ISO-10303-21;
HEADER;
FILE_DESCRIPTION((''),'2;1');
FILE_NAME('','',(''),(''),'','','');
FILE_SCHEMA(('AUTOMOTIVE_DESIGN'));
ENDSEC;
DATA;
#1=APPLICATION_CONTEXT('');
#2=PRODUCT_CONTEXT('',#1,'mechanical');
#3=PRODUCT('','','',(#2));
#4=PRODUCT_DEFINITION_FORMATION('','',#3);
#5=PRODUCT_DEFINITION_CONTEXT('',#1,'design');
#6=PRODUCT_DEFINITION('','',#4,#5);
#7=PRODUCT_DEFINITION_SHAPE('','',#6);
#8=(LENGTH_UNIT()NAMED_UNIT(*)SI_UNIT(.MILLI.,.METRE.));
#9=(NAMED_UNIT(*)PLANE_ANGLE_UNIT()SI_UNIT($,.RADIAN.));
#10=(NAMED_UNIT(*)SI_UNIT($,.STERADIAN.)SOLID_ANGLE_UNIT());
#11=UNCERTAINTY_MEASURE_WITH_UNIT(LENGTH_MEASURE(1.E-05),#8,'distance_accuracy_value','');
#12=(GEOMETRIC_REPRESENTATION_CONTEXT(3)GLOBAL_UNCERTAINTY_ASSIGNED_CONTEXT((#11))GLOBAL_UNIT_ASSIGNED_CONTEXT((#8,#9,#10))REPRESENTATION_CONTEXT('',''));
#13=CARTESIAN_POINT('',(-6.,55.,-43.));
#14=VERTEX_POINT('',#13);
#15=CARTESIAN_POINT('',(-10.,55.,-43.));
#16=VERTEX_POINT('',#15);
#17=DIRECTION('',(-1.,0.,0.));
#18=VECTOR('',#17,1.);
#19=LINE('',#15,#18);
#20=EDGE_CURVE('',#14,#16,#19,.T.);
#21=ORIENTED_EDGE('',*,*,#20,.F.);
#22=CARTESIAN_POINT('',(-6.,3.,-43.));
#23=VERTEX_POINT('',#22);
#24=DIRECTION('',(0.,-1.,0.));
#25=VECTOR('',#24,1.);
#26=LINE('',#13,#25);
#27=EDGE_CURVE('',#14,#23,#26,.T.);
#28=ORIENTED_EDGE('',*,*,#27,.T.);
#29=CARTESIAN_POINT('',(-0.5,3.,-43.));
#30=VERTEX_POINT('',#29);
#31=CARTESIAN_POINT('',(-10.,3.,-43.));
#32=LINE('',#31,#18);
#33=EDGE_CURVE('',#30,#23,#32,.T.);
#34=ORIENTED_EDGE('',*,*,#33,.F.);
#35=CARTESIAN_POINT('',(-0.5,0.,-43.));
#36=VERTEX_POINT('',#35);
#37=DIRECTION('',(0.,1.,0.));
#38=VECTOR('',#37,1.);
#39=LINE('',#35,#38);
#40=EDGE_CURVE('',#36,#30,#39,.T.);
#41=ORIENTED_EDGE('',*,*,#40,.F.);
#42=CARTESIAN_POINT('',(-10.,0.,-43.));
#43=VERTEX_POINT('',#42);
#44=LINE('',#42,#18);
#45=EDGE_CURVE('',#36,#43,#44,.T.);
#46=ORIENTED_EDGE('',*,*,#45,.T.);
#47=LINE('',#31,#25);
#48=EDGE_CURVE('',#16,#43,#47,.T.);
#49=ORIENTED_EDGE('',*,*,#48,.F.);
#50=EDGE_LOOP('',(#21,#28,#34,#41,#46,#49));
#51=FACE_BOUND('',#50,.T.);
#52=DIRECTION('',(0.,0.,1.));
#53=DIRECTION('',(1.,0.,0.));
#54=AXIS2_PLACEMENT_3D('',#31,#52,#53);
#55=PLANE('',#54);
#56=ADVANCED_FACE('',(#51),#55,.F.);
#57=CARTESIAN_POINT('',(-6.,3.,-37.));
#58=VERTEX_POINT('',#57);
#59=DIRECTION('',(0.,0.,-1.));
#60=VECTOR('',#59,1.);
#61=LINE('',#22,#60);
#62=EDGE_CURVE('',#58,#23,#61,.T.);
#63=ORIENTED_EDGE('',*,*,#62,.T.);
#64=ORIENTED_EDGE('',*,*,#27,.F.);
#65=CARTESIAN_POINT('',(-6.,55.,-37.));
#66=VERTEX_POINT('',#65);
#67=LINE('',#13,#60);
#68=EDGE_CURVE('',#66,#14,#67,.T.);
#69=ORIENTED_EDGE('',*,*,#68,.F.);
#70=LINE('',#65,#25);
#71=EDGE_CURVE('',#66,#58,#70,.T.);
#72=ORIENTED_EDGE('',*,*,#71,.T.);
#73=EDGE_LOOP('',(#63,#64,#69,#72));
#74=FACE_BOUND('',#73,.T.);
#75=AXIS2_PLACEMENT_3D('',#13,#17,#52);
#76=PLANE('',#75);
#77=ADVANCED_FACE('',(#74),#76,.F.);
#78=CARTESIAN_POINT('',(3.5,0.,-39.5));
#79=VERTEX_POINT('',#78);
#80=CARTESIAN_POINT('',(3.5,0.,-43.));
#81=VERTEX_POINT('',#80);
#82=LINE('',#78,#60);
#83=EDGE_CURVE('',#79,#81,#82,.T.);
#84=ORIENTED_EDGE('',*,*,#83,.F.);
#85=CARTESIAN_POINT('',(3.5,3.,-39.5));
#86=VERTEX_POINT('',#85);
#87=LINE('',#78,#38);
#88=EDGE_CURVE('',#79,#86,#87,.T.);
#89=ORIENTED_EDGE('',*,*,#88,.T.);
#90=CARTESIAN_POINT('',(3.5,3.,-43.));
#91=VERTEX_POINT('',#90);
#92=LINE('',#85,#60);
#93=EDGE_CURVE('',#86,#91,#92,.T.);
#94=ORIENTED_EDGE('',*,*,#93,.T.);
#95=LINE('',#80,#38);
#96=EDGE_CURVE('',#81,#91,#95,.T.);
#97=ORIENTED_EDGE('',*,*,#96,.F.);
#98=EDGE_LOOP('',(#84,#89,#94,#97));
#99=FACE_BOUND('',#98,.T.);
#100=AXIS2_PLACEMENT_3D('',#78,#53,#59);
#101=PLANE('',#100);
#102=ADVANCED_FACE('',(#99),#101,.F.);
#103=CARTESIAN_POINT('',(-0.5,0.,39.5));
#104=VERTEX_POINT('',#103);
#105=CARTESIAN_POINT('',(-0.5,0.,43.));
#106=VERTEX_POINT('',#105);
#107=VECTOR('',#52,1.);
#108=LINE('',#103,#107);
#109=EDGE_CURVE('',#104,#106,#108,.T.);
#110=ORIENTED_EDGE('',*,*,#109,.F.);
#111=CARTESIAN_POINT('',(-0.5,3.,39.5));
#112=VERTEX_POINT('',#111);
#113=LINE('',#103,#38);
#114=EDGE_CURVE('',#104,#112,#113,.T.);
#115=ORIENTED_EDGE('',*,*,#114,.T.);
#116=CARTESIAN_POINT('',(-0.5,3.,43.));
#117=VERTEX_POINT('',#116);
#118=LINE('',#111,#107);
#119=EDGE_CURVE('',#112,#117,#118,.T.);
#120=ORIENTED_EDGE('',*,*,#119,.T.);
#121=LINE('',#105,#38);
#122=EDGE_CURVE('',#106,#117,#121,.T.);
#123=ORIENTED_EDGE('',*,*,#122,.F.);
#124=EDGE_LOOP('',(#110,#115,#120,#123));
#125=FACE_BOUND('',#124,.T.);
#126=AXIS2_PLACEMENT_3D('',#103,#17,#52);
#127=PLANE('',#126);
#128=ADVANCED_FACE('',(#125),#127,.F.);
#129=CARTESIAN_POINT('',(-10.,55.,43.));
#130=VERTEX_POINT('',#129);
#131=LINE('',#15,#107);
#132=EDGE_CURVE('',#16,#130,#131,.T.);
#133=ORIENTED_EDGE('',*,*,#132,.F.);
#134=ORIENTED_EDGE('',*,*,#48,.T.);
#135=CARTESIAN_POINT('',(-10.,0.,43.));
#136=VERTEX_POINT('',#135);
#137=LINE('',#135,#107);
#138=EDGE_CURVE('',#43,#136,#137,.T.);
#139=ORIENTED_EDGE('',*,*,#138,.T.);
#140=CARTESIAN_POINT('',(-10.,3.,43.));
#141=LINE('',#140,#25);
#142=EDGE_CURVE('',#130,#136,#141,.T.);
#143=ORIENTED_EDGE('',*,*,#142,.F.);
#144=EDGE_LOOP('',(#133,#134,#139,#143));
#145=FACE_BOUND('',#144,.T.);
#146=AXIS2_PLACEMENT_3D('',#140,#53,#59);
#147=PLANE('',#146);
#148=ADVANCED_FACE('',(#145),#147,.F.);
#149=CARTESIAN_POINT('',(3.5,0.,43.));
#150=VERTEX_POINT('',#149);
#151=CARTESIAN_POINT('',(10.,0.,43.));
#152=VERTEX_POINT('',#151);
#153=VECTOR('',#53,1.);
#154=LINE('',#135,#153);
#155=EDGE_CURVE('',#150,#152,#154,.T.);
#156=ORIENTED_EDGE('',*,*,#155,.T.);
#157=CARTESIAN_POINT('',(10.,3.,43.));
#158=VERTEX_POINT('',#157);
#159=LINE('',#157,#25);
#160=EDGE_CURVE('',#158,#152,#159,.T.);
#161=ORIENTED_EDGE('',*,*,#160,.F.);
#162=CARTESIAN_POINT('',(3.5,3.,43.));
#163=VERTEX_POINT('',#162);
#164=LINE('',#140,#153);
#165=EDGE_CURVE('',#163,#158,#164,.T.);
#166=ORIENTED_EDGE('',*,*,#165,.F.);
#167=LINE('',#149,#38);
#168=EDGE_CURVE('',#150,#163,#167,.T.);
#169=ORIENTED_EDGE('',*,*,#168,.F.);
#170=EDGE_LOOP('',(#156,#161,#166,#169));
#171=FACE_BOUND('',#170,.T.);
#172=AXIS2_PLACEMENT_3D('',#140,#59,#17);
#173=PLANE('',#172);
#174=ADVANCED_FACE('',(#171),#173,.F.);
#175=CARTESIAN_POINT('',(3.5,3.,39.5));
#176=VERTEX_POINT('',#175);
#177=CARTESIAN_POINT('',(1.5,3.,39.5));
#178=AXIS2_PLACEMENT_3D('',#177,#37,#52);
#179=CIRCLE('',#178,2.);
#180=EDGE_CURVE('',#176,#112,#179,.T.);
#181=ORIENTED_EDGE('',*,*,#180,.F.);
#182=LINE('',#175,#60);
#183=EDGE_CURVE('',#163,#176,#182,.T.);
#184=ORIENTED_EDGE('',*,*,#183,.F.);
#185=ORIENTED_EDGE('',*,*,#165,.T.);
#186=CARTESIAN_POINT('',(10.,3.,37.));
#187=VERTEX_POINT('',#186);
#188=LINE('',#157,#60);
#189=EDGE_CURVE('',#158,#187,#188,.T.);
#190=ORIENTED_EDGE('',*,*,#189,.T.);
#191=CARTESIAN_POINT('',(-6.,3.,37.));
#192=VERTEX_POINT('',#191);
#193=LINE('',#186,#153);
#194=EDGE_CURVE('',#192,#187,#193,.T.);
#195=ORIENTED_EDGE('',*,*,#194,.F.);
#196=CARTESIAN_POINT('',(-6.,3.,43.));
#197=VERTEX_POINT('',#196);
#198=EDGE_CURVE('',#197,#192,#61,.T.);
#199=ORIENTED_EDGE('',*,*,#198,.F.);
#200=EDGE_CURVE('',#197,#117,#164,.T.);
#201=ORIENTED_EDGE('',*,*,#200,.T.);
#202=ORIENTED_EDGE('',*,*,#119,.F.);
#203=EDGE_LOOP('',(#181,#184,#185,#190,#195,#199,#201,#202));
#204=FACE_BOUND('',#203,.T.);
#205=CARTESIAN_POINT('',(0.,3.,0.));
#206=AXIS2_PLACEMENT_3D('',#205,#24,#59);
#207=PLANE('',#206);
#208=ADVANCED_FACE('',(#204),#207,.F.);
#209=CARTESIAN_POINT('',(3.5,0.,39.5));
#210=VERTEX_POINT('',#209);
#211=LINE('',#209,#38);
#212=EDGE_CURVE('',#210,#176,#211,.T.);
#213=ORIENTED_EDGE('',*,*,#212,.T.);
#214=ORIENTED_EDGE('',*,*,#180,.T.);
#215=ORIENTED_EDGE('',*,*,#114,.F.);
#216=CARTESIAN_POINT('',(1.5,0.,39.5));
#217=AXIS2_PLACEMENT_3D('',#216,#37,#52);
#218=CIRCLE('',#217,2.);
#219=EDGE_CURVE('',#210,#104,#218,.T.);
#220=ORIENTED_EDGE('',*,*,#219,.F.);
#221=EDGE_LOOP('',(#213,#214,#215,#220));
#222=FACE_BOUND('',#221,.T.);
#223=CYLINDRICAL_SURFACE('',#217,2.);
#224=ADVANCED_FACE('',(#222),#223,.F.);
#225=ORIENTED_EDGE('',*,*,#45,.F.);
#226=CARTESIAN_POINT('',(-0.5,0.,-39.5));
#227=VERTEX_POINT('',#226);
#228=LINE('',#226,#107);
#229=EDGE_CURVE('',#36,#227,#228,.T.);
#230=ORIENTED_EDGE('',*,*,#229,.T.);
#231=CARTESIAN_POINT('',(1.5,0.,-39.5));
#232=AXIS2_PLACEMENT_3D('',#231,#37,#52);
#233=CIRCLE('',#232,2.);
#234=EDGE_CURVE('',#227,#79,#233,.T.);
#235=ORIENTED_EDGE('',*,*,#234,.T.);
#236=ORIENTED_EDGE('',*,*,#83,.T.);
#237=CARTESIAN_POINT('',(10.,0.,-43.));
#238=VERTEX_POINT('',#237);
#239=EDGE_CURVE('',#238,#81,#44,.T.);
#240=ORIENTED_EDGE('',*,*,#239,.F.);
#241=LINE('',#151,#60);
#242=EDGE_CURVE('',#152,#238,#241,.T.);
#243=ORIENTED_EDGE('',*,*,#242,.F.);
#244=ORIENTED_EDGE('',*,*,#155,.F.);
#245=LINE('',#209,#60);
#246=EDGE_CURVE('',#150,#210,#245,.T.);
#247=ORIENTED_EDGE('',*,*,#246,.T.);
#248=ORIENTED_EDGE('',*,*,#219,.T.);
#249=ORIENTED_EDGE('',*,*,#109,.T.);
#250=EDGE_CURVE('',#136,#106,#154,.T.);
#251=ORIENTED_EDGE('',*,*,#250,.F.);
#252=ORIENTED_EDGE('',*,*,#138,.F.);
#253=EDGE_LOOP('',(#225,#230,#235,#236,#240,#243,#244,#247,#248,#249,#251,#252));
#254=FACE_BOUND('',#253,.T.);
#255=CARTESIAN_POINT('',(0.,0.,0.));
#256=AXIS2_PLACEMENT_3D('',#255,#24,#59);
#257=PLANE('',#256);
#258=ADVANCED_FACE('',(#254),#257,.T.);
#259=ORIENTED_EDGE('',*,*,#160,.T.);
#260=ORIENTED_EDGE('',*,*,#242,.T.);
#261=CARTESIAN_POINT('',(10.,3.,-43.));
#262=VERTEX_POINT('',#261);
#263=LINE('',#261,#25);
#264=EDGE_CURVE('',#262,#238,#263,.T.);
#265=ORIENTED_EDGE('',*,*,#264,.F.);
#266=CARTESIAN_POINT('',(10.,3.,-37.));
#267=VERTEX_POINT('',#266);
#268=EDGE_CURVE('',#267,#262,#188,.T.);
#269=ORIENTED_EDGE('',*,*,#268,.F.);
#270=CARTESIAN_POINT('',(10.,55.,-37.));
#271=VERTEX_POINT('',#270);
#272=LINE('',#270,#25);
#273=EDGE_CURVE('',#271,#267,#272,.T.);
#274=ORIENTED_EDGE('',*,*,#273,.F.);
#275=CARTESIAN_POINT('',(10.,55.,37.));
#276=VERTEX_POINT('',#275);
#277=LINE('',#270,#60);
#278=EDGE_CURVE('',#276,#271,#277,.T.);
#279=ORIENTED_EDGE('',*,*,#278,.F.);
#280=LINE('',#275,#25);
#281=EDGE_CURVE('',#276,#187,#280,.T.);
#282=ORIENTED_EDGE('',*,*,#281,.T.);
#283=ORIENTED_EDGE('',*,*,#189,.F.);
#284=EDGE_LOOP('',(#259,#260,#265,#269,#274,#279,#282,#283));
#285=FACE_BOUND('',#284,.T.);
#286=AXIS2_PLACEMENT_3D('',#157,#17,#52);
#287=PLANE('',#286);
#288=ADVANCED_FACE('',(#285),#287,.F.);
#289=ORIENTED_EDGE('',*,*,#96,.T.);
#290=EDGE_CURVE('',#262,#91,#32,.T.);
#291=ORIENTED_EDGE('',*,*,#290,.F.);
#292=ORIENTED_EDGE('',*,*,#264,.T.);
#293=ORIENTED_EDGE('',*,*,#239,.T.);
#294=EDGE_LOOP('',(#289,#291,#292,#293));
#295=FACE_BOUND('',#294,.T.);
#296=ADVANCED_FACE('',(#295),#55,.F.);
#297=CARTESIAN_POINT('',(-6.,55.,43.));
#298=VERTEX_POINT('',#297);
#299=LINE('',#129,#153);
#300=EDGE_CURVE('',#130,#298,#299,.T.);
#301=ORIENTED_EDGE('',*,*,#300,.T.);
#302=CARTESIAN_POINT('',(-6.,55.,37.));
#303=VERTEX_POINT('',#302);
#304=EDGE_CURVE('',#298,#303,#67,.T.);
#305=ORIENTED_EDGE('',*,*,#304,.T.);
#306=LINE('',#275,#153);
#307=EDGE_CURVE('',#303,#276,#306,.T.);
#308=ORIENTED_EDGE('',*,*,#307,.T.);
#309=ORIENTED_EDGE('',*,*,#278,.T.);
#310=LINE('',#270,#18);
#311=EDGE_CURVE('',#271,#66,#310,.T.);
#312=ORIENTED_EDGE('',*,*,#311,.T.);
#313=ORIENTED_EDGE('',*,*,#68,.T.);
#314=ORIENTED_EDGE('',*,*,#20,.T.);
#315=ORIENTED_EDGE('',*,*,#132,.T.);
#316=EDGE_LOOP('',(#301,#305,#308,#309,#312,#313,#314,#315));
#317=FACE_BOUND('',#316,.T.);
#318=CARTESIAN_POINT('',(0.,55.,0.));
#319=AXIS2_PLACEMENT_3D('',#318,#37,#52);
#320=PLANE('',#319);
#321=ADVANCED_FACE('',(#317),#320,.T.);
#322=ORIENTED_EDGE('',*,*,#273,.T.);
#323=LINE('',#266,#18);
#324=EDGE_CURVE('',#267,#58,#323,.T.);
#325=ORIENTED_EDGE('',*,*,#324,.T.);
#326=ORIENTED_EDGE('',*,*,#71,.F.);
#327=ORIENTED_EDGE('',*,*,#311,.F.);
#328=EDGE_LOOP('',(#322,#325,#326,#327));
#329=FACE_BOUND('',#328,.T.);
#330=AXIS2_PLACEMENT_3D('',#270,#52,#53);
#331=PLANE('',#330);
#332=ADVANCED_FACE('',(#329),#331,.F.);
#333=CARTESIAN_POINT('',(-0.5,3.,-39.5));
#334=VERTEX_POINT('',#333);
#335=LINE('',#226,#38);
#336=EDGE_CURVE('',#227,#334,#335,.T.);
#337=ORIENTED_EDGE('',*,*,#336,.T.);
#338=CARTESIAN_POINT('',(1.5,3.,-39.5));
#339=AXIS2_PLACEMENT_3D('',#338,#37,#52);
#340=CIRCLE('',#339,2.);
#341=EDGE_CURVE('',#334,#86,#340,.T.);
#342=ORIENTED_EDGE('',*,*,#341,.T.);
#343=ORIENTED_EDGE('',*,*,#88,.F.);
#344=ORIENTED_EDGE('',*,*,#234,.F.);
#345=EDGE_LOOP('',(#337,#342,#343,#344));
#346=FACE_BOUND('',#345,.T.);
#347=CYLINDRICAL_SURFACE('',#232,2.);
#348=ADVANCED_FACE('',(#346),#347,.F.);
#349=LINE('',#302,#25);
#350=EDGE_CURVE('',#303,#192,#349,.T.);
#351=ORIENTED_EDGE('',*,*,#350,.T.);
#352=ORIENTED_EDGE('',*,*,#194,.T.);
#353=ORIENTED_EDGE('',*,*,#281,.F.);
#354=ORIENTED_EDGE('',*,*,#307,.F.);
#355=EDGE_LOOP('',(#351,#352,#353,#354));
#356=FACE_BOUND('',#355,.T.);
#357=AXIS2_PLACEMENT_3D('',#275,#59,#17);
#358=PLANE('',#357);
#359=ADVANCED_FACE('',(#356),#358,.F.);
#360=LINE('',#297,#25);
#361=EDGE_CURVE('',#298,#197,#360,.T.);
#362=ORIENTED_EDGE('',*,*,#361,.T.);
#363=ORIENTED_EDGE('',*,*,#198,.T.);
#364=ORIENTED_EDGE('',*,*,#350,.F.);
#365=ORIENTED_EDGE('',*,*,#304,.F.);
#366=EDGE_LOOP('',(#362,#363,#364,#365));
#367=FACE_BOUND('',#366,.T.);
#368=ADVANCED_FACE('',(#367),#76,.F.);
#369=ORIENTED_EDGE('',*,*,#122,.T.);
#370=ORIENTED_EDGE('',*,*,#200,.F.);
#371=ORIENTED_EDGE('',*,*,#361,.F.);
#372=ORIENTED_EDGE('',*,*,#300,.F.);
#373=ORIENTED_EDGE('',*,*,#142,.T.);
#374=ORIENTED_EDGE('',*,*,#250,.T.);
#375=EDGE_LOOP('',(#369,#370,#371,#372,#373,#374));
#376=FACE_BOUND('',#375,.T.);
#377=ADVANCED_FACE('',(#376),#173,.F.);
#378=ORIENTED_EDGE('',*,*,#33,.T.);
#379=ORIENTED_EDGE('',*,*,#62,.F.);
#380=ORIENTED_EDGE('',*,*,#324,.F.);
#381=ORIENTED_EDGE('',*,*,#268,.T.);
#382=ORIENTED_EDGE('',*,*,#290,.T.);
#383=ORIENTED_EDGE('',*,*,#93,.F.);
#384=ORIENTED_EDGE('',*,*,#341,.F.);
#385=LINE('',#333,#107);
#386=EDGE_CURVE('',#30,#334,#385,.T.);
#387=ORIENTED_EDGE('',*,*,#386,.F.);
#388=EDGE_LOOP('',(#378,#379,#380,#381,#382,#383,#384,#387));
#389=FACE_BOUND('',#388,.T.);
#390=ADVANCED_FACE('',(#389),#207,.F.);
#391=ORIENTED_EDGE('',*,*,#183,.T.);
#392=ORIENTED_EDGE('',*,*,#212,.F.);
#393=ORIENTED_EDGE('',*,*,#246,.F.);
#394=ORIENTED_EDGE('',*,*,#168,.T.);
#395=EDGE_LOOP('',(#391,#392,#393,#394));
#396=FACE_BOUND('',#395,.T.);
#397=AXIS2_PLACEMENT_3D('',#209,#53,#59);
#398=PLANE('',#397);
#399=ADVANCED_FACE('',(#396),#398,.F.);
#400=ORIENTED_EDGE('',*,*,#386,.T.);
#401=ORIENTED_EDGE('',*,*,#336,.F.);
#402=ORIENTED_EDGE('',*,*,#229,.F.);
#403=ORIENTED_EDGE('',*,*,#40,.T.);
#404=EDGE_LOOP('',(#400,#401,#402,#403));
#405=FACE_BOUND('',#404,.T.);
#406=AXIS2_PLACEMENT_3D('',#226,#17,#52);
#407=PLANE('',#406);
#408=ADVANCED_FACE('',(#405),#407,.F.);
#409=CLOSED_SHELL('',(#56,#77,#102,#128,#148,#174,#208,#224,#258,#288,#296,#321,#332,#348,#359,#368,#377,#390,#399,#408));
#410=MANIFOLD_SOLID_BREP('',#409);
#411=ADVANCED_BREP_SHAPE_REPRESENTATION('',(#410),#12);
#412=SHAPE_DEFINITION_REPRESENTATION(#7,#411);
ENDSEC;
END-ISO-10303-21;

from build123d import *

# Parameters (mm, degrees)
SKETCH1_W           = 20
SKETCH1_H           = 86
BOSS_EXTRUDE1_DEPTH = 3
CUT_EXTRUDE1_DEPTH  = 4
SKETCH3_W           = 4
SKETCH3_H           = 86
BOSS_EXTRUDE2_DEPTH = 52
SKETCH4_W           = 16
SKETCH4_H           = 74
BOSS_EXTRUDE3_DEPTH = 52


with BuildPart() as part:
    # Sketch1 → Boss-Extrude1 (new body)
    with BuildSketch(Plane(origin=(0, 0, 0), x_dir=(1, 0, 0), z_dir=(0, 1, 0))):
        Rectangle(SKETCH1_W, SKETCH1_H)
    extrude(amount=BOSS_EXTRUDE1_DEPTH)

    # Sketch2 → Cut-Extrude1 (cut, through all)
    with BuildSketch(Plane(origin=(0, 3, 0), x_dir=(1, 0, 0), z_dir=(0, 1, 0))):
        with BuildLine():
            Line((-0.5, 39.5), (-0.5, 43))
            Line((-0.5, 43), (3.5, 43))
            Line((3.5, 43), (3.5, 39.5))
            ThreePointArc((3.5, 39.5), (1.5, 37.5), (-0.5, 39.5))
        make_face()
        with BuildLine():
            Line((-0.5, -39.5), (-0.5, -43))
            Line((-0.5, -43), (3.5, -43))
            Line((3.5, -43), (3.5, -39.5))
            ThreePointArc((3.5, -39.5), (1.5, -37.5), (-0.5, -39.5))
        make_face()
    extrude(amount=-CUT_EXTRUDE1_DEPTH, mode=Mode.SUBTRACT)

    # Sketch3 → Boss-Extrude2 (add)
    with BuildSketch(Plane(origin=(0, 3, 0), x_dir=(1, 0, 0), z_dir=(0, 1, 0))):
        with Locations((-8, 0)):
            Rectangle(SKETCH3_W, SKETCH3_H)
    extrude(amount=BOSS_EXTRUDE2_DEPTH)

    # Sketch4 → Boss-Extrude3 (add)
    with BuildSketch(Plane(origin=(0, 3, 0), x_dir=(1, 0, 0), z_dir=(0, 1, 0))):
        with Locations((2, 0)):
            Rectangle(SKETCH4_W, SKETCH4_H)
    extrude(amount=BOSS_EXTRUDE3_DEPTH)


solid = part.part
